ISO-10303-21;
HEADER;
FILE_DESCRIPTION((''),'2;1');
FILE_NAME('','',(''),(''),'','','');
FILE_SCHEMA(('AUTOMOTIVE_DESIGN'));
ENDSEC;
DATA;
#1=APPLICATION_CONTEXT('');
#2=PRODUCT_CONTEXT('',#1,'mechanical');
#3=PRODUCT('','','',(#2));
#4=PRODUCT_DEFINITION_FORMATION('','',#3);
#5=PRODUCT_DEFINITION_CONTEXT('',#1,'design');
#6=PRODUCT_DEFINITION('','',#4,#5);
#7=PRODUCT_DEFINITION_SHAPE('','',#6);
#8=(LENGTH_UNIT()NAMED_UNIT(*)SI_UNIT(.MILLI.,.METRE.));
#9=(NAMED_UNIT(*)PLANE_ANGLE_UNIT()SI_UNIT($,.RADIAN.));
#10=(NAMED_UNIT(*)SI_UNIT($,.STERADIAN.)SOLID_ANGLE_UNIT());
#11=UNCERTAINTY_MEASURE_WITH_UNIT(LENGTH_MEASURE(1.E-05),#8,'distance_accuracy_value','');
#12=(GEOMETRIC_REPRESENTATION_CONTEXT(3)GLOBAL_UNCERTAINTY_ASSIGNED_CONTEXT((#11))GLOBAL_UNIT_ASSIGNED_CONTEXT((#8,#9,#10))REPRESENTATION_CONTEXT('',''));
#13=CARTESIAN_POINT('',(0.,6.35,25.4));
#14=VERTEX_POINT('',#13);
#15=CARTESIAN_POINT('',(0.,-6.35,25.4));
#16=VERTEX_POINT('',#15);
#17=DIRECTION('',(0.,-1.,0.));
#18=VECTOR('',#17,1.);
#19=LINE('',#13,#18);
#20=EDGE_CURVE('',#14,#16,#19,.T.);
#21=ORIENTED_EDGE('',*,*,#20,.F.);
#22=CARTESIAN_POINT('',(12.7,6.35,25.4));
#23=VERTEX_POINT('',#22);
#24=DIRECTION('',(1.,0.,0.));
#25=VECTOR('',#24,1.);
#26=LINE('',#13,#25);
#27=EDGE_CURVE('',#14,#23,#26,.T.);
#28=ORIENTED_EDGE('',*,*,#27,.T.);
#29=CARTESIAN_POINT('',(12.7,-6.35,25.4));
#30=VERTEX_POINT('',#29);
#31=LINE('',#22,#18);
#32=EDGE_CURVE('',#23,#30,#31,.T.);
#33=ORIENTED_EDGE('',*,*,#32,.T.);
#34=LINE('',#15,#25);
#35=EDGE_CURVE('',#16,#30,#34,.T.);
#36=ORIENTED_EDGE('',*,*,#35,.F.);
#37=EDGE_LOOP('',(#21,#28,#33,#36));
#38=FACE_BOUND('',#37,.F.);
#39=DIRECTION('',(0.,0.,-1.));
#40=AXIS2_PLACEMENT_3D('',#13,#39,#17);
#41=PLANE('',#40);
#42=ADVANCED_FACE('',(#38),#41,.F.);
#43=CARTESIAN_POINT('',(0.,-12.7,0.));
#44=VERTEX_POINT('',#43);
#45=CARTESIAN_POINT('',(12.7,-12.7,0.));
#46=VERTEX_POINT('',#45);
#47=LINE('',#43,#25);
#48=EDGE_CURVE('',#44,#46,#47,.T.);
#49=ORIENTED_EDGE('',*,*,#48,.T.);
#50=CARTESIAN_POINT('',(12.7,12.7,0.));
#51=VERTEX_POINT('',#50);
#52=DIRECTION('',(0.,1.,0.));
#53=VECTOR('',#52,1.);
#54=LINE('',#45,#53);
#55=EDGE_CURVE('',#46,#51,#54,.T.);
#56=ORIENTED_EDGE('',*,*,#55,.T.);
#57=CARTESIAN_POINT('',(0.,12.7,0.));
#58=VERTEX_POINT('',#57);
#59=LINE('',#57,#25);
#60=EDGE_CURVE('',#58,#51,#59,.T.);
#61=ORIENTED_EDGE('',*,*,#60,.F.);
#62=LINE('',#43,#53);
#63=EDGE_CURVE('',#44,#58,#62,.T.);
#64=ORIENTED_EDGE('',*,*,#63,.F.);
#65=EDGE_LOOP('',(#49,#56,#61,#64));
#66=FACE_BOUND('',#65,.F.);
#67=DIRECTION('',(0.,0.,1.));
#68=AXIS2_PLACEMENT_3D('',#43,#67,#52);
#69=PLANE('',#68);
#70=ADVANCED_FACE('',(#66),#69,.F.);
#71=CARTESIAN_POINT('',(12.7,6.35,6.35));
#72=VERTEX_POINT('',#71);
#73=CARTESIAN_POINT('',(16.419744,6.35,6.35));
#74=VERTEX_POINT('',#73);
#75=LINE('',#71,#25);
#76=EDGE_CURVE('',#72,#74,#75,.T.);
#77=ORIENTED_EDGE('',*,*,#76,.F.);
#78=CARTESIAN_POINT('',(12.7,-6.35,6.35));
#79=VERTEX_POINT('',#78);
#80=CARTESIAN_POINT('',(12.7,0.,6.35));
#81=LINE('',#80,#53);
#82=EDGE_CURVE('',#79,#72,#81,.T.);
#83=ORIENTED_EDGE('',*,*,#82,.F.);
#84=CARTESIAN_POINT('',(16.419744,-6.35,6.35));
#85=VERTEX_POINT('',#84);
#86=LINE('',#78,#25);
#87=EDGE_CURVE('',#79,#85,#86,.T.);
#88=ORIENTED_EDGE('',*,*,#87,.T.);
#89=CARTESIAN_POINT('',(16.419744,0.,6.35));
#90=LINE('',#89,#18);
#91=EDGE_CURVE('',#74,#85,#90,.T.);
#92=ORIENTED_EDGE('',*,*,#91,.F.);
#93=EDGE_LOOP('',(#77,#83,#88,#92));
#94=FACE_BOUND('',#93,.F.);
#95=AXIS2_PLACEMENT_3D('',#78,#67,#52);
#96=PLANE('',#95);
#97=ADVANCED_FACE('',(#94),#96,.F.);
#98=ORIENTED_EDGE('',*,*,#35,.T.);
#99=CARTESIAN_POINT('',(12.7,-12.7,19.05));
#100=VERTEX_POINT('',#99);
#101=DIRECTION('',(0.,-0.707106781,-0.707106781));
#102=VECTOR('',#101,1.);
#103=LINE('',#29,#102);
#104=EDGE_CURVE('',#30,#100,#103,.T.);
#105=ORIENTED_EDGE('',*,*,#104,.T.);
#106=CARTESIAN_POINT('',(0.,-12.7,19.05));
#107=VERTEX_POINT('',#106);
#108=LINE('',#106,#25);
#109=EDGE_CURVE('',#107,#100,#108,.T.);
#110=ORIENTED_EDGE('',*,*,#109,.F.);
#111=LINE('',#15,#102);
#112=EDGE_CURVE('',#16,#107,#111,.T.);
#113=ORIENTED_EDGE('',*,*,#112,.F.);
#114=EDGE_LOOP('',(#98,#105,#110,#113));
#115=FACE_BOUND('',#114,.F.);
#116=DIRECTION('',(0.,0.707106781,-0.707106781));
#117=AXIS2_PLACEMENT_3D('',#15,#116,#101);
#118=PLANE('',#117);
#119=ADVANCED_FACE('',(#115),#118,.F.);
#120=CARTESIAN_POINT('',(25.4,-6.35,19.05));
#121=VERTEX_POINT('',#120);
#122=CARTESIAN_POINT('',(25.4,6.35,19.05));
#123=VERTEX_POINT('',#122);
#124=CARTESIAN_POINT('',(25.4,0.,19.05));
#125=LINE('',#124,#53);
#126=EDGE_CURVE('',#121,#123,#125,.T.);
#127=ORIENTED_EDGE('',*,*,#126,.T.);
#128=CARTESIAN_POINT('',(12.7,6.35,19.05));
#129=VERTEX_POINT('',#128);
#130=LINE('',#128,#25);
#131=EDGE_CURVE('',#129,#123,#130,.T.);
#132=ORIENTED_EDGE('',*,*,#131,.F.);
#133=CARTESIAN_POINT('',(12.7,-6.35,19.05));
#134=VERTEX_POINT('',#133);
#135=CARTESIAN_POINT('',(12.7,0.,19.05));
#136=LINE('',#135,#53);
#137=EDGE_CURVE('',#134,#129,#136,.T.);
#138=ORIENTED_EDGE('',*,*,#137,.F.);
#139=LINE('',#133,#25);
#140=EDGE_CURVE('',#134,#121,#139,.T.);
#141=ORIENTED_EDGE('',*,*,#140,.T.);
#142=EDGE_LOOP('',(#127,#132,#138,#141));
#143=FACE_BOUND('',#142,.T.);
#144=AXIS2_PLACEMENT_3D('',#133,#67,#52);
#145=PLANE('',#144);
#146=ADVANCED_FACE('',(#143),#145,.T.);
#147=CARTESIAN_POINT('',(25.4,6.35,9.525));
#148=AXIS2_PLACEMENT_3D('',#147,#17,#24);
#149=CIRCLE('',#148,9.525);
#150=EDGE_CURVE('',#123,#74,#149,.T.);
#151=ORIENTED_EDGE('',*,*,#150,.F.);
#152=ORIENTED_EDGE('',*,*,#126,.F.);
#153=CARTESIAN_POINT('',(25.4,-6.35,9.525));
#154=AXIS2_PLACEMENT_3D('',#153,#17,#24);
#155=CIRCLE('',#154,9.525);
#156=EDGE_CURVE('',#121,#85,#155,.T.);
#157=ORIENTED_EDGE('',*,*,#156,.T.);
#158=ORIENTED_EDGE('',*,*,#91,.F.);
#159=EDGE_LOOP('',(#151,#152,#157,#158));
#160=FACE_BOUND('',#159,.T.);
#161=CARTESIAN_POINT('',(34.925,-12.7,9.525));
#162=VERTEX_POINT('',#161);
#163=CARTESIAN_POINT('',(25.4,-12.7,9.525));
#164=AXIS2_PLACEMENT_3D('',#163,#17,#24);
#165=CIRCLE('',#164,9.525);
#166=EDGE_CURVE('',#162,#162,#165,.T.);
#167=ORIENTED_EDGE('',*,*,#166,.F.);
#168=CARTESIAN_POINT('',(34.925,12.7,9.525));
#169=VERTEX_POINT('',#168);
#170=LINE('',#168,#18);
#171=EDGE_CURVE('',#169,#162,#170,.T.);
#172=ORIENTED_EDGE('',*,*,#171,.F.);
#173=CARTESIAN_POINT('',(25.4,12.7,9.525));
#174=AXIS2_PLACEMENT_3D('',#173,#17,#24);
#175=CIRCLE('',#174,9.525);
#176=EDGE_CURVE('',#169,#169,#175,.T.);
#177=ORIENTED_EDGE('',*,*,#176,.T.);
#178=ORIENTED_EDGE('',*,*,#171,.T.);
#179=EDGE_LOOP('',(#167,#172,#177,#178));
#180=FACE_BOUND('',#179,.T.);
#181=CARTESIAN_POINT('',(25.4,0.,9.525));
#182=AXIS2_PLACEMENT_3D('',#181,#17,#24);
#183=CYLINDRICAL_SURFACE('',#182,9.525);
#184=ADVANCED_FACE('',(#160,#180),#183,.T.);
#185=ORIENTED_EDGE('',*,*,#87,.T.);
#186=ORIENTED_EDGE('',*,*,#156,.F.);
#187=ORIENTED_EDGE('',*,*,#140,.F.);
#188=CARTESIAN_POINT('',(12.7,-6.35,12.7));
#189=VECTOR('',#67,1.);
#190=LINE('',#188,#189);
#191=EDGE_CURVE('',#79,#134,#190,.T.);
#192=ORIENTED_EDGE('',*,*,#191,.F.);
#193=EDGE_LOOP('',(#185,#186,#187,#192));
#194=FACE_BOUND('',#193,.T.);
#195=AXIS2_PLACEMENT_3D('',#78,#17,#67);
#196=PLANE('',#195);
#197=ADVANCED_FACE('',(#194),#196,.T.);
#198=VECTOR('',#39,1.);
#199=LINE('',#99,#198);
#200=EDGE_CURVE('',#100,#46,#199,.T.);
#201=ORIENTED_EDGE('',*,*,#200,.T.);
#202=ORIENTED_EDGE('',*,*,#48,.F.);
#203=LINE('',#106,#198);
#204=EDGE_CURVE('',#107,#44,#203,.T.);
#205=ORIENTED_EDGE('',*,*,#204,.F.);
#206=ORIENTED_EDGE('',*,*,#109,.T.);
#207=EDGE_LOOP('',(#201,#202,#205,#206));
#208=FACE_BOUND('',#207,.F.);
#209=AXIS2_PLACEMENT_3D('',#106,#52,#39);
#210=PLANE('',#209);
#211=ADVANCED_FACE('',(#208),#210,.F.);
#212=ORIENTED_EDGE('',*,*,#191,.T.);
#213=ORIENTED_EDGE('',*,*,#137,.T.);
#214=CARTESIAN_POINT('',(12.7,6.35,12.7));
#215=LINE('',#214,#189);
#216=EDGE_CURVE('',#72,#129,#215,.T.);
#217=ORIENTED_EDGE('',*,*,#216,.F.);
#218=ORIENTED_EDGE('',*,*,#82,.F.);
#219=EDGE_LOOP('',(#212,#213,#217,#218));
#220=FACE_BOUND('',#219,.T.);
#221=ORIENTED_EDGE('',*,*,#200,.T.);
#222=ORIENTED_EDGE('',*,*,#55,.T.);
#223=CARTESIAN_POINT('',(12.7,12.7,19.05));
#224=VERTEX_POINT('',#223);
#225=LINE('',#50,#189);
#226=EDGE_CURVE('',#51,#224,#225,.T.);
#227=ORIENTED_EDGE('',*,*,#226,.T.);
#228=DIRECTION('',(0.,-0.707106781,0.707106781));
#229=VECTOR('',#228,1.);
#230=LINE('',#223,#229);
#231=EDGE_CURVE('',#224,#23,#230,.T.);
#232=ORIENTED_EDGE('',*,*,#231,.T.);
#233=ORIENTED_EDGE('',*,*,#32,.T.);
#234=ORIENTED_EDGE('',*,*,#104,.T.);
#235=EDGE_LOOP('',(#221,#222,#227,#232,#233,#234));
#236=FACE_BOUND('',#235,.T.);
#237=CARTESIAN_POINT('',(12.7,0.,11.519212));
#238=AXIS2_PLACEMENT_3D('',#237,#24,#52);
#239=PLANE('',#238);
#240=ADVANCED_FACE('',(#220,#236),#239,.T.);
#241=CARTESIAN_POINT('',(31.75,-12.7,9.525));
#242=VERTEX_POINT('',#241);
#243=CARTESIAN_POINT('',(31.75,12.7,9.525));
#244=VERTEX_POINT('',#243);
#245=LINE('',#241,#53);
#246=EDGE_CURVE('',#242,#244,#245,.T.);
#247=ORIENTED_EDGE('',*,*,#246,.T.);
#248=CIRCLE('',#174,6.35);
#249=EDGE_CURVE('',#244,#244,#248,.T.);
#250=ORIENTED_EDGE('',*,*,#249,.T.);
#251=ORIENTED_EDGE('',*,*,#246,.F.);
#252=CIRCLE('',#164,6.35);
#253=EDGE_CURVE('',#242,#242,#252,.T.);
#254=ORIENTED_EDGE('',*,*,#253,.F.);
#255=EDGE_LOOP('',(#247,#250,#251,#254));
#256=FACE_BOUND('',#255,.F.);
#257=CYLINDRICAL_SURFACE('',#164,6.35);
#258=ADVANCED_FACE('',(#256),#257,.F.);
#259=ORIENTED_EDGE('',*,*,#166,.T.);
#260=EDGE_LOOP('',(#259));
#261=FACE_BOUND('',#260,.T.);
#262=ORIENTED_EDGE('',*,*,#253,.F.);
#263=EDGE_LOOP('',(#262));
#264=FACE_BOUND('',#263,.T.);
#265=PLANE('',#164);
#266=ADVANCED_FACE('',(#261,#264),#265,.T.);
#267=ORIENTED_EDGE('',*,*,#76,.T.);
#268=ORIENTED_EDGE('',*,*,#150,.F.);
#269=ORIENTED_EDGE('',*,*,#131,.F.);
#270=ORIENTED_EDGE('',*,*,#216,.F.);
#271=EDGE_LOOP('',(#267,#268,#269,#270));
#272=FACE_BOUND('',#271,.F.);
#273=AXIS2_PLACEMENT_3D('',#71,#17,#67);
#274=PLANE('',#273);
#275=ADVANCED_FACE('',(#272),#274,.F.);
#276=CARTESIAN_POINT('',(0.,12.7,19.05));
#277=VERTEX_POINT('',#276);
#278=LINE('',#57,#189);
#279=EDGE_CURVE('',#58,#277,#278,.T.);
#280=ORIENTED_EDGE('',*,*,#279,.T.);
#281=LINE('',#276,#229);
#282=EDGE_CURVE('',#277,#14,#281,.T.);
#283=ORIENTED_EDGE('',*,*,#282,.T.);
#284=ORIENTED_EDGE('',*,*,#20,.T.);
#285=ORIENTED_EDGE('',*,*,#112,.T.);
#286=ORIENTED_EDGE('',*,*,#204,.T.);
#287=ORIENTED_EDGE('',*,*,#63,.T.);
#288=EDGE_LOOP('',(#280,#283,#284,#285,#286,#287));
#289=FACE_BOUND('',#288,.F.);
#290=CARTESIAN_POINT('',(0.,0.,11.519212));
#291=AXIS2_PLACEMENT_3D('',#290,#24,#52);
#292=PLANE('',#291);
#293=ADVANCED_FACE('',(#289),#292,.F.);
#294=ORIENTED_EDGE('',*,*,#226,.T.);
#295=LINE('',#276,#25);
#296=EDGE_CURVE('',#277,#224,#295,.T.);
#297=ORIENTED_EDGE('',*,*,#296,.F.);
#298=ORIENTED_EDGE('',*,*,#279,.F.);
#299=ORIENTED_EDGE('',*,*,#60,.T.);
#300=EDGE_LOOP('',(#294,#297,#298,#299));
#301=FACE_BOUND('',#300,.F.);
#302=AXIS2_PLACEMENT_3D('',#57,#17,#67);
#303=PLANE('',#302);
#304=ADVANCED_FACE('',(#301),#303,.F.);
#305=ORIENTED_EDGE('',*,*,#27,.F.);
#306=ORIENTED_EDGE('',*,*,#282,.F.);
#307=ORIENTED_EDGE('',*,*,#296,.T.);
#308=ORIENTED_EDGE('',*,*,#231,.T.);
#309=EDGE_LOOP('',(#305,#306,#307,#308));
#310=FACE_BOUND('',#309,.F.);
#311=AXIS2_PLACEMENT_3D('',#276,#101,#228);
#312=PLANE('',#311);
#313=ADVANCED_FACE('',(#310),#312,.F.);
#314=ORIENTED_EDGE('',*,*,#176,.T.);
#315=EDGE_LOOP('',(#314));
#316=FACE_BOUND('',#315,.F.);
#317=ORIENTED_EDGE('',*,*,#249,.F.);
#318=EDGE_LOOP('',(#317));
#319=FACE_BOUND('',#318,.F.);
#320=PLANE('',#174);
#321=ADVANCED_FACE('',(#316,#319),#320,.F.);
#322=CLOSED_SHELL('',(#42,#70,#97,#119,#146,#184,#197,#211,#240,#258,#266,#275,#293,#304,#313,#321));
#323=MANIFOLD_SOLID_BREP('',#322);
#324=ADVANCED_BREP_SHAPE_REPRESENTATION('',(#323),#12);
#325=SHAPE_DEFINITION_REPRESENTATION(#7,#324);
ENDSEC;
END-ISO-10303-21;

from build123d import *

# Parameters (mm, degrees)
F1_DEPTH = 12.7
F2_W     = 12.7
F2_H     = 12.7
F3_DEPTH = 12.7
F4_R     = 9.525
F5_DEPTH = 12.7
F6_R     = 6.35
F7_DEPTH = 50.8


with BuildPart() as f1:
    # F0 (on Right) → F1 (new body)
    with BuildSketch(Plane.YZ):
        Polygon((-12.7, 0), (0, 0), (12.7, 0), (12.7, 19.05), (6.35, 25.4), (-6.35, 25.4), (-12.7, 19.05), align=None)
    extrude(amount=F1_DEPTH)

    # F2 (on face) → F3 (join)
    with BuildSketch(Plane.YZ.offset(12.7)):
        with Locations((0, 12.7)):
            Rectangle(F2_W, F2_H)
    extrude(amount=F3_DEPTH)

    # F4 (on Front) → F5 (join, symmetric)
    with BuildSketch(Plane.XZ):
        with Locations((25.4, 9.525)):
            Circle(F4_R)
    extrude(amount=F5_DEPTH, both=True)

    # F6 (on face) → F7 (cut)
    with BuildSketch(Plane.XZ.offset(12.7)):
        with Locations((25.4, 9.525)):
            Circle(F6_R)
    extrude(amount=-F7_DEPTH, mode=Mode.SUBTRACT)


solid = f1.part
